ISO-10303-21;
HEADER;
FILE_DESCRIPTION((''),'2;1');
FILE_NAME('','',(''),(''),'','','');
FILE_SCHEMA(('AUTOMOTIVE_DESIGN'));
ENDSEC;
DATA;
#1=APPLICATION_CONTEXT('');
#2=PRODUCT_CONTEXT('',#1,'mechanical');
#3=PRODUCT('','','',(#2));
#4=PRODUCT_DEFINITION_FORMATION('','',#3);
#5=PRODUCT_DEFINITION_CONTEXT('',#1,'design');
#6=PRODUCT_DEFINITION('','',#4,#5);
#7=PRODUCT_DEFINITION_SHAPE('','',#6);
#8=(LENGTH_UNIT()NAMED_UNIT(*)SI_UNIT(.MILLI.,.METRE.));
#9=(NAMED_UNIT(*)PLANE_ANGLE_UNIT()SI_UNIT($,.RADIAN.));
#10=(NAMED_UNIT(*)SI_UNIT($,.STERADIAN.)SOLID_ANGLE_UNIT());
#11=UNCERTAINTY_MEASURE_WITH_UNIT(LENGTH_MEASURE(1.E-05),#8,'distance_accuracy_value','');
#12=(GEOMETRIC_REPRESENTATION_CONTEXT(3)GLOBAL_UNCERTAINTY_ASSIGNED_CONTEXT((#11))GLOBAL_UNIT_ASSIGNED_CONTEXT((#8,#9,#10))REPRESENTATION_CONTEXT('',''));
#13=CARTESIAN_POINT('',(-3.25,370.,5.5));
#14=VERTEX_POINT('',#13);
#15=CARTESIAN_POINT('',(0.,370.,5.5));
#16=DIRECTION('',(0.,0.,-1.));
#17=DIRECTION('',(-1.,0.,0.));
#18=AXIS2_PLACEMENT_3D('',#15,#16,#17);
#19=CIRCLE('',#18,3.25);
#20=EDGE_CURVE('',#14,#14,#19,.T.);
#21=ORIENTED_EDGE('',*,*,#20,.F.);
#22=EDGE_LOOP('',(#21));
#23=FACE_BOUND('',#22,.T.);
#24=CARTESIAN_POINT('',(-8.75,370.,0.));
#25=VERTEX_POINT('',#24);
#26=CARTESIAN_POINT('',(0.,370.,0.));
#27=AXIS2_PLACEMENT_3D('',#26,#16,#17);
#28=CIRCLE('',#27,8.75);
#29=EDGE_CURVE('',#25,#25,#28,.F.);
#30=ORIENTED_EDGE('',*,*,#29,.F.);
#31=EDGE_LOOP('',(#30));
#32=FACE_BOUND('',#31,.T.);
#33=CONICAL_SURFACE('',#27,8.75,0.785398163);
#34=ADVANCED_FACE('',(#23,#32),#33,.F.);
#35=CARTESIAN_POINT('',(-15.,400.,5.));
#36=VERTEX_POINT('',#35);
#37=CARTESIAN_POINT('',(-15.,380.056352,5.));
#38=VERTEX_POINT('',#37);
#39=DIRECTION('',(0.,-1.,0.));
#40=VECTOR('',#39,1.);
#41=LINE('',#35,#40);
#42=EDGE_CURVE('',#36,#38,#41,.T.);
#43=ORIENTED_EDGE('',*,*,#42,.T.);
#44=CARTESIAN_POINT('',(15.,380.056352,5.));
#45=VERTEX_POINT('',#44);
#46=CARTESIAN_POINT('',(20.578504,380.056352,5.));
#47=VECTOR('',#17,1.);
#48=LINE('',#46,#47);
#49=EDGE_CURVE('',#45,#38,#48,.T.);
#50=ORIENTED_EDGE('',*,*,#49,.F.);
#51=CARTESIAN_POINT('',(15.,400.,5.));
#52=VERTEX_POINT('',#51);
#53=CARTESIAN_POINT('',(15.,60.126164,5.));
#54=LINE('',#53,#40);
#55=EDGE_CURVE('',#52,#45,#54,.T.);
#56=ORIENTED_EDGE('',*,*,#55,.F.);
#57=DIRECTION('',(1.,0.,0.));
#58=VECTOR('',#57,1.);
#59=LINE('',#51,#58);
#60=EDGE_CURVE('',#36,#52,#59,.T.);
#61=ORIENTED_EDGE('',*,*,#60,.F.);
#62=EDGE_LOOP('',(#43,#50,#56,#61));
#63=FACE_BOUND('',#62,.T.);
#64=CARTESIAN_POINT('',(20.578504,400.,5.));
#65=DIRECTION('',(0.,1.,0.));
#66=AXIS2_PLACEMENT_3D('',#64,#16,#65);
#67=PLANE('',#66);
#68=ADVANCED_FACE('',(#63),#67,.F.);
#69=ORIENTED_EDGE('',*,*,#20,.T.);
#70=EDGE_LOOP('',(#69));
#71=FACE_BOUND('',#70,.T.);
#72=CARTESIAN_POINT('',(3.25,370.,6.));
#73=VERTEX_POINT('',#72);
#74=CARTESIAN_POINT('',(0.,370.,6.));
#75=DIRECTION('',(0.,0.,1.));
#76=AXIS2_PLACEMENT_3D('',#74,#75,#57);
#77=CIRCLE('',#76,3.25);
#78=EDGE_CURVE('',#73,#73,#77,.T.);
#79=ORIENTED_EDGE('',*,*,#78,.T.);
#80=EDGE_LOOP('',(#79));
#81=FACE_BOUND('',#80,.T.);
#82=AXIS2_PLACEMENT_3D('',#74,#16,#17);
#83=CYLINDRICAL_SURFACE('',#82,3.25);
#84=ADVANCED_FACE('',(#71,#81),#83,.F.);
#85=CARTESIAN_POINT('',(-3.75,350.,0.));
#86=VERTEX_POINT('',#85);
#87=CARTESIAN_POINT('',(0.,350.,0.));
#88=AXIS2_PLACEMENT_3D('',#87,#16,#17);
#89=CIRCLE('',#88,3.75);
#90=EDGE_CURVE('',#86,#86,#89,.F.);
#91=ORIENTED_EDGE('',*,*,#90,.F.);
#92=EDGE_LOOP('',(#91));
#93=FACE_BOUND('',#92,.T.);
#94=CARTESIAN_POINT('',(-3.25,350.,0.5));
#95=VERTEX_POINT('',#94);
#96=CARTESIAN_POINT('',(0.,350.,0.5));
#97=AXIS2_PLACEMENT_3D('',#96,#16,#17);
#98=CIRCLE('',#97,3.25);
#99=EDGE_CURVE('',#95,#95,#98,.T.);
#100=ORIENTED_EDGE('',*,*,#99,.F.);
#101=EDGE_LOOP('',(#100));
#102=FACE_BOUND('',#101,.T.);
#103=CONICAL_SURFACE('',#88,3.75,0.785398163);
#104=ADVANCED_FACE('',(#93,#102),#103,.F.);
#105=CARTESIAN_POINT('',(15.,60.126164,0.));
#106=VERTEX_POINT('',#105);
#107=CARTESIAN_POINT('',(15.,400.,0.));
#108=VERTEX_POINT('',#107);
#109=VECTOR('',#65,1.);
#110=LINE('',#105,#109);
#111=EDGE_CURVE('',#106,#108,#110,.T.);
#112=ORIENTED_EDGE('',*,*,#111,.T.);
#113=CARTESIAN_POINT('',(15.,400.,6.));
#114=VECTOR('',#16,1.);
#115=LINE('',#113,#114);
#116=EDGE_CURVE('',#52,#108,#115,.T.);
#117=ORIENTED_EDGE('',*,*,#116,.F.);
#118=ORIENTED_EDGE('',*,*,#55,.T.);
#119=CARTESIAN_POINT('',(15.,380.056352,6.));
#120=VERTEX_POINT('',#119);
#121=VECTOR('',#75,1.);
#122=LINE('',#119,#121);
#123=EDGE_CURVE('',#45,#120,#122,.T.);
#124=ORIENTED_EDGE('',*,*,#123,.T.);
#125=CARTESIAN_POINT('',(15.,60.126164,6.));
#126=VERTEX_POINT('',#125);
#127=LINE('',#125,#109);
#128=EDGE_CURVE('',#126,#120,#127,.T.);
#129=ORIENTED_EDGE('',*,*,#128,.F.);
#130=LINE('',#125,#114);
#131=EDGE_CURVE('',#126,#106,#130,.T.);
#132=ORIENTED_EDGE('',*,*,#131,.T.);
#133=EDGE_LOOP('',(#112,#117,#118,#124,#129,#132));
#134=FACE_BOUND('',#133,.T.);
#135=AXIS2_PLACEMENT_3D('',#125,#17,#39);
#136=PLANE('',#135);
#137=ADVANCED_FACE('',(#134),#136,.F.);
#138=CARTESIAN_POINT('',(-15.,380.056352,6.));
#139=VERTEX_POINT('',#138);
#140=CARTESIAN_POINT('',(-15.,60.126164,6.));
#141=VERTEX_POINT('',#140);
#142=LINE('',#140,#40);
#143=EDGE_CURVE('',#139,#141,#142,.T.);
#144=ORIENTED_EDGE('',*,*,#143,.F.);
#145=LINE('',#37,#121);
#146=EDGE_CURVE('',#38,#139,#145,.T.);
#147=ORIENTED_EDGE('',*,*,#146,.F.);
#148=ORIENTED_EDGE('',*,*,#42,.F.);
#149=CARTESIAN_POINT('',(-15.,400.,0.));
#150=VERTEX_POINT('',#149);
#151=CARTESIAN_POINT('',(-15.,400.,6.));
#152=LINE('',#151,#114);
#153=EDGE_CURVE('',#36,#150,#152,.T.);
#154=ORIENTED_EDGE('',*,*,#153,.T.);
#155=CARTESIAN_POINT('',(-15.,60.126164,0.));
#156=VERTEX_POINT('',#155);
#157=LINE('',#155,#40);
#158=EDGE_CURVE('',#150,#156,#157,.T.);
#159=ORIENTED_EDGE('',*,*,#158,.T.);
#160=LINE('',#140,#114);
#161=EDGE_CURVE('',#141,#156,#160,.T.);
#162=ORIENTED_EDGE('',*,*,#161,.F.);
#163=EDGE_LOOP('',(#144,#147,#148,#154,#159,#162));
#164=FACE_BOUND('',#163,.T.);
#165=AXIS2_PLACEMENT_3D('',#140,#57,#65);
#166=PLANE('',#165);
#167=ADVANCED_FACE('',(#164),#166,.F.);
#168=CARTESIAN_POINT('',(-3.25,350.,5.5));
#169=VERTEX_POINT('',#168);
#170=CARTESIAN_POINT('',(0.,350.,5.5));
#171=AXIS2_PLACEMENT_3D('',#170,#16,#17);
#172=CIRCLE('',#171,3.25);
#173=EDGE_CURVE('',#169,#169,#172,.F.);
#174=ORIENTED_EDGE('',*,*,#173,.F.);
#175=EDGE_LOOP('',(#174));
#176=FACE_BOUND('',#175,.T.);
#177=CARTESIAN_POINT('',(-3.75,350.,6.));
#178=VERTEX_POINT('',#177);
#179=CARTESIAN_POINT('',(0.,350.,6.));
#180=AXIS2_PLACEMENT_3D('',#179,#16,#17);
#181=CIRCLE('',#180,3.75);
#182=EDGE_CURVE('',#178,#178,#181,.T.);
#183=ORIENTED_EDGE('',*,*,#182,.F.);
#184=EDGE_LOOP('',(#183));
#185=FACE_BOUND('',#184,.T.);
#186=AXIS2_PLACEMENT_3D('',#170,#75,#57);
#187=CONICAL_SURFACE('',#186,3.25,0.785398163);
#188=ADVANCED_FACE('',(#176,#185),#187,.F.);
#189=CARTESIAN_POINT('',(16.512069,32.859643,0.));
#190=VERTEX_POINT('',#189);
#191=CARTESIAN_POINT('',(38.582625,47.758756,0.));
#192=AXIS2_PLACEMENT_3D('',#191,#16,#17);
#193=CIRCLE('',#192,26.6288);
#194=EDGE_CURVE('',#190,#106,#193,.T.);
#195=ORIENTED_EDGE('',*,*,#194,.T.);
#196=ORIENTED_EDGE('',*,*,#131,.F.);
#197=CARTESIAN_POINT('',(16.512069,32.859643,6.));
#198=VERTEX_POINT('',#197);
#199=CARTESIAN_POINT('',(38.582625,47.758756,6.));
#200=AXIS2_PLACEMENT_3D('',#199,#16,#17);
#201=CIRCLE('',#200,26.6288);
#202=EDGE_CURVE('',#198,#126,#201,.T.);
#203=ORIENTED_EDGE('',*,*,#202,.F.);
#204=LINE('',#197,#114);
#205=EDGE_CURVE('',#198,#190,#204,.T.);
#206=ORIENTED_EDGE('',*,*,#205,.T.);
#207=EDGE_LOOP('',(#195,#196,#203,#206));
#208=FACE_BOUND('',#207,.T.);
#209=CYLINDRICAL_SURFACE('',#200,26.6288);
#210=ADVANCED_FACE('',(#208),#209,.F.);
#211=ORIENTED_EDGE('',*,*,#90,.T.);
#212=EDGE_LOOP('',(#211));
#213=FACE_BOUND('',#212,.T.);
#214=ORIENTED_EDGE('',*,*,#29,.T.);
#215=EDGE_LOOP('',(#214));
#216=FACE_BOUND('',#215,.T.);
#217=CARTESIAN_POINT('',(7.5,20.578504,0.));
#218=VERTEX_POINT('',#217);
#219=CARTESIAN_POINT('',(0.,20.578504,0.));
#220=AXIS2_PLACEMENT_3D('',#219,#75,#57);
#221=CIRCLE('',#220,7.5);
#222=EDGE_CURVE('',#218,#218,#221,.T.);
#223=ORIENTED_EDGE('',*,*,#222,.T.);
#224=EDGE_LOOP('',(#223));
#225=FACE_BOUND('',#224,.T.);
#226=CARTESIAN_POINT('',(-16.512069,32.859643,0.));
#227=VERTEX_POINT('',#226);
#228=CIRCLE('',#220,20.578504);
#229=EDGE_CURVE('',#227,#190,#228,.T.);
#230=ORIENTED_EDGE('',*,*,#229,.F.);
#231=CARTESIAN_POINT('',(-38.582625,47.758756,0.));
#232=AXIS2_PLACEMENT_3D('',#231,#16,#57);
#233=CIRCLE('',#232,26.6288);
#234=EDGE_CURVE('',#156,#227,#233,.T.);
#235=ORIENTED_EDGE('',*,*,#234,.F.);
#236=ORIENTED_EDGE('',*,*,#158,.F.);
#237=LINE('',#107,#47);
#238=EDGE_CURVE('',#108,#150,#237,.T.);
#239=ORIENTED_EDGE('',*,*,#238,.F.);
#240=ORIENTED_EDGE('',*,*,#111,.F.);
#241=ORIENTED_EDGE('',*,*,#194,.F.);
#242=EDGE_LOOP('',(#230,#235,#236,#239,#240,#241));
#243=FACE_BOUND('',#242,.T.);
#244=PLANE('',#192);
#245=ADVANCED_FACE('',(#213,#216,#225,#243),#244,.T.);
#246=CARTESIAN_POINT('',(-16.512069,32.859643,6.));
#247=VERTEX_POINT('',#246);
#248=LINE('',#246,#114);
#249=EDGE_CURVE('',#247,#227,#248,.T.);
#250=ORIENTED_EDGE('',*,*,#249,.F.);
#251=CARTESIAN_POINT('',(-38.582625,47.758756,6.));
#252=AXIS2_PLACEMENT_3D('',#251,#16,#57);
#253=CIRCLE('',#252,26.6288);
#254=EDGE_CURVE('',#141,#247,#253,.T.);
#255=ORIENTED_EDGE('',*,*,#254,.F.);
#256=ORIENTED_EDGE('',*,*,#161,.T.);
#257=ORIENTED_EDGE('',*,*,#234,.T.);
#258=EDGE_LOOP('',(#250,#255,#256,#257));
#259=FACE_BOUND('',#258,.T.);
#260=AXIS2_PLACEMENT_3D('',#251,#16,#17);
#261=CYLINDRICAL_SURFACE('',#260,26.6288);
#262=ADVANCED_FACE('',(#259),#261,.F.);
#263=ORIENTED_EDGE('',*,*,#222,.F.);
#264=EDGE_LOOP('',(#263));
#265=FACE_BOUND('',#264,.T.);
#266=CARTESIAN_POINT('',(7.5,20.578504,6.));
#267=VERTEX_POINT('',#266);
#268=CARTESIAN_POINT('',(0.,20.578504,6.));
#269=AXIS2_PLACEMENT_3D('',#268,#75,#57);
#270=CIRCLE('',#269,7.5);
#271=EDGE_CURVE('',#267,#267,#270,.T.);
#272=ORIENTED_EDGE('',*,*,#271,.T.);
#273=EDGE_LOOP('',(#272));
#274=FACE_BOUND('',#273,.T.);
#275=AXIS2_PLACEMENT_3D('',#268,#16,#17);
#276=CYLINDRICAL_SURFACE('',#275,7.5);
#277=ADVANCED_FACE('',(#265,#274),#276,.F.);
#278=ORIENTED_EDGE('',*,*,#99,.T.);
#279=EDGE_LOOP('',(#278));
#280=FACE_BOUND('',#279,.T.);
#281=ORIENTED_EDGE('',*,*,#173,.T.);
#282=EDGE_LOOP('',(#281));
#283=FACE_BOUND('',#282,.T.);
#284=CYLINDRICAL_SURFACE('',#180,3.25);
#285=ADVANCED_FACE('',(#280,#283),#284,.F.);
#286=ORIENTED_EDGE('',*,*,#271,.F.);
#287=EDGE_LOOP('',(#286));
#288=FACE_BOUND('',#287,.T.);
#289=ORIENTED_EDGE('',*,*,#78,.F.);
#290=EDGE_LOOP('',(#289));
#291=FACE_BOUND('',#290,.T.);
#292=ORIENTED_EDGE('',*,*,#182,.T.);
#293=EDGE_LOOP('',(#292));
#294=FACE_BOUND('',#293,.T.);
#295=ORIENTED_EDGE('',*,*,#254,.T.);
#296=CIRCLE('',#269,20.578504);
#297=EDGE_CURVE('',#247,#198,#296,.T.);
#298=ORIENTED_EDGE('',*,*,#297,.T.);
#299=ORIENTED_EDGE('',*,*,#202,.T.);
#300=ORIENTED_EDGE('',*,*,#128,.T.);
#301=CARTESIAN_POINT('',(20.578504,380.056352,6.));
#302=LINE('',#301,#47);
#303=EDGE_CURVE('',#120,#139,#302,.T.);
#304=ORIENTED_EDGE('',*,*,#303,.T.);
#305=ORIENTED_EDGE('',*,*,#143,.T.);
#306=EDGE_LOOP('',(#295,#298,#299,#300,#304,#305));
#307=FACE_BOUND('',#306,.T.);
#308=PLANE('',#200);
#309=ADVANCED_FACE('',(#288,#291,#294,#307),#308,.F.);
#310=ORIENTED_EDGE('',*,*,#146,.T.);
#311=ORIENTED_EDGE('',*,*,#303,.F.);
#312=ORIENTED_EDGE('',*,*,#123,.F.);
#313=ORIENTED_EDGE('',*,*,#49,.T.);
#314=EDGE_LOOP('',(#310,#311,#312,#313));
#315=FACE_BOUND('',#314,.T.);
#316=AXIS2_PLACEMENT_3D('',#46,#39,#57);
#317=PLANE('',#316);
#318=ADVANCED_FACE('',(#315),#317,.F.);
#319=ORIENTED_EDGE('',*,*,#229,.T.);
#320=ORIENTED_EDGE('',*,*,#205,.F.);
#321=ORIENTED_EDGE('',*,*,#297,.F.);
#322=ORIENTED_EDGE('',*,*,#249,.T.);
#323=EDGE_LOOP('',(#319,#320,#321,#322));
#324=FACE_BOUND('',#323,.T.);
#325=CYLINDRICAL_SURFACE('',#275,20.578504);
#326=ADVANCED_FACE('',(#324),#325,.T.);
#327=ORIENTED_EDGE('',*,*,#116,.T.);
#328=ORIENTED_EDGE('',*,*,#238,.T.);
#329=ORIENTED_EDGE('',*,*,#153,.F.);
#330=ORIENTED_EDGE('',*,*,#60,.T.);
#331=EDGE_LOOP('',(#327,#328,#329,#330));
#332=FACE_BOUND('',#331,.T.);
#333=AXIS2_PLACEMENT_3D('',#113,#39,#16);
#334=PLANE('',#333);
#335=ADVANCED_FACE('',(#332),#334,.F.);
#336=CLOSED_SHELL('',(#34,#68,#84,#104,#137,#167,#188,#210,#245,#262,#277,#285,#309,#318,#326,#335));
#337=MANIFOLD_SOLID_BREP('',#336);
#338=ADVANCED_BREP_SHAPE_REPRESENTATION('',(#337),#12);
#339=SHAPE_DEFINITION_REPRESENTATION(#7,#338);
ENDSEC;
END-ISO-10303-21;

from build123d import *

# Parameters (mm, degrees)
SKETCH_1_R          = 3.25
SKETCH_1_R_2        = 7.5
EXTRUDE_1_DEPTH     = 6
SKETCH_2_W          = 1
SKETCH_2_H          = 19.943647813
CUT_EXTRUDE_1_DEPTH = 36.578503871
CHAMFER_1_SIZE      = 5.5
CHAMFER_2_SIZE      = 0.5


with BuildPart() as part:
    # Эскиз1 → Бобышка-Вытянуть1 (new body)
    with BuildSketch(Plane.XY):
        with BuildLine():
            Line((15, 60.126164395), (15, 400))
            Line((15, 400), (-15, 400))
            Line((-15, 400), (-15, 60.126164395))
            ThreePointArc((-15, 60.126164395), (-11.99467632, 46.284317121), (-16.512069377, 32.859643332))
            ThreePointArc((-16.512069377, 32.859643332), (0, 0), (16.512069377, 32.859643332))
            ThreePointArc((16.512069377, 32.859643332), (11.99467632, 46.284317121), (15, 60.126164395))
        make_face()
        with Locations((0, 370)):
            Circle(SKETCH_1_R, mode=Mode.SUBTRACT)
        with Locations((0, 350)):
            Circle(SKETCH_1_R, mode=Mode.SUBTRACT)
        with Locations((0, 20.578503871)):
            Circle(SKETCH_1_R_2, mode=Mode.SUBTRACT)
    extrude(amount=EXTRUDE_1_DEPTH)

    # Эскиз2 → Вырез-Вытянуть1 (cut, through all)
    with BuildSketch(Plane.ZY.offset(15)):
        with Locations((5.5, 390.028176094)):
            Rectangle(SKETCH_2_W, SKETCH_2_H)
    extrude(amount=-CUT_EXTRUDE_1_DEPTH, mode=Mode.SUBTRACT)

    # Фаска1
    chamfer_1_edges = [part.edges().sort_by_distance(p)[0] for p in [
        (-3.25, 370, 0),
    ]]
    chamfer(chamfer_1_edges, length=CHAMFER_1_SIZE)

    # Фаска2
    chamfer_2_edges = [part.edges().sort_by_distance(p)[0] for p in [
        (-3.25, 350, 0),
        (-3.25, 350, 6),
    ]]
    chamfer(chamfer_2_edges, length=CHAMFER_2_SIZE)


solid = part.part
